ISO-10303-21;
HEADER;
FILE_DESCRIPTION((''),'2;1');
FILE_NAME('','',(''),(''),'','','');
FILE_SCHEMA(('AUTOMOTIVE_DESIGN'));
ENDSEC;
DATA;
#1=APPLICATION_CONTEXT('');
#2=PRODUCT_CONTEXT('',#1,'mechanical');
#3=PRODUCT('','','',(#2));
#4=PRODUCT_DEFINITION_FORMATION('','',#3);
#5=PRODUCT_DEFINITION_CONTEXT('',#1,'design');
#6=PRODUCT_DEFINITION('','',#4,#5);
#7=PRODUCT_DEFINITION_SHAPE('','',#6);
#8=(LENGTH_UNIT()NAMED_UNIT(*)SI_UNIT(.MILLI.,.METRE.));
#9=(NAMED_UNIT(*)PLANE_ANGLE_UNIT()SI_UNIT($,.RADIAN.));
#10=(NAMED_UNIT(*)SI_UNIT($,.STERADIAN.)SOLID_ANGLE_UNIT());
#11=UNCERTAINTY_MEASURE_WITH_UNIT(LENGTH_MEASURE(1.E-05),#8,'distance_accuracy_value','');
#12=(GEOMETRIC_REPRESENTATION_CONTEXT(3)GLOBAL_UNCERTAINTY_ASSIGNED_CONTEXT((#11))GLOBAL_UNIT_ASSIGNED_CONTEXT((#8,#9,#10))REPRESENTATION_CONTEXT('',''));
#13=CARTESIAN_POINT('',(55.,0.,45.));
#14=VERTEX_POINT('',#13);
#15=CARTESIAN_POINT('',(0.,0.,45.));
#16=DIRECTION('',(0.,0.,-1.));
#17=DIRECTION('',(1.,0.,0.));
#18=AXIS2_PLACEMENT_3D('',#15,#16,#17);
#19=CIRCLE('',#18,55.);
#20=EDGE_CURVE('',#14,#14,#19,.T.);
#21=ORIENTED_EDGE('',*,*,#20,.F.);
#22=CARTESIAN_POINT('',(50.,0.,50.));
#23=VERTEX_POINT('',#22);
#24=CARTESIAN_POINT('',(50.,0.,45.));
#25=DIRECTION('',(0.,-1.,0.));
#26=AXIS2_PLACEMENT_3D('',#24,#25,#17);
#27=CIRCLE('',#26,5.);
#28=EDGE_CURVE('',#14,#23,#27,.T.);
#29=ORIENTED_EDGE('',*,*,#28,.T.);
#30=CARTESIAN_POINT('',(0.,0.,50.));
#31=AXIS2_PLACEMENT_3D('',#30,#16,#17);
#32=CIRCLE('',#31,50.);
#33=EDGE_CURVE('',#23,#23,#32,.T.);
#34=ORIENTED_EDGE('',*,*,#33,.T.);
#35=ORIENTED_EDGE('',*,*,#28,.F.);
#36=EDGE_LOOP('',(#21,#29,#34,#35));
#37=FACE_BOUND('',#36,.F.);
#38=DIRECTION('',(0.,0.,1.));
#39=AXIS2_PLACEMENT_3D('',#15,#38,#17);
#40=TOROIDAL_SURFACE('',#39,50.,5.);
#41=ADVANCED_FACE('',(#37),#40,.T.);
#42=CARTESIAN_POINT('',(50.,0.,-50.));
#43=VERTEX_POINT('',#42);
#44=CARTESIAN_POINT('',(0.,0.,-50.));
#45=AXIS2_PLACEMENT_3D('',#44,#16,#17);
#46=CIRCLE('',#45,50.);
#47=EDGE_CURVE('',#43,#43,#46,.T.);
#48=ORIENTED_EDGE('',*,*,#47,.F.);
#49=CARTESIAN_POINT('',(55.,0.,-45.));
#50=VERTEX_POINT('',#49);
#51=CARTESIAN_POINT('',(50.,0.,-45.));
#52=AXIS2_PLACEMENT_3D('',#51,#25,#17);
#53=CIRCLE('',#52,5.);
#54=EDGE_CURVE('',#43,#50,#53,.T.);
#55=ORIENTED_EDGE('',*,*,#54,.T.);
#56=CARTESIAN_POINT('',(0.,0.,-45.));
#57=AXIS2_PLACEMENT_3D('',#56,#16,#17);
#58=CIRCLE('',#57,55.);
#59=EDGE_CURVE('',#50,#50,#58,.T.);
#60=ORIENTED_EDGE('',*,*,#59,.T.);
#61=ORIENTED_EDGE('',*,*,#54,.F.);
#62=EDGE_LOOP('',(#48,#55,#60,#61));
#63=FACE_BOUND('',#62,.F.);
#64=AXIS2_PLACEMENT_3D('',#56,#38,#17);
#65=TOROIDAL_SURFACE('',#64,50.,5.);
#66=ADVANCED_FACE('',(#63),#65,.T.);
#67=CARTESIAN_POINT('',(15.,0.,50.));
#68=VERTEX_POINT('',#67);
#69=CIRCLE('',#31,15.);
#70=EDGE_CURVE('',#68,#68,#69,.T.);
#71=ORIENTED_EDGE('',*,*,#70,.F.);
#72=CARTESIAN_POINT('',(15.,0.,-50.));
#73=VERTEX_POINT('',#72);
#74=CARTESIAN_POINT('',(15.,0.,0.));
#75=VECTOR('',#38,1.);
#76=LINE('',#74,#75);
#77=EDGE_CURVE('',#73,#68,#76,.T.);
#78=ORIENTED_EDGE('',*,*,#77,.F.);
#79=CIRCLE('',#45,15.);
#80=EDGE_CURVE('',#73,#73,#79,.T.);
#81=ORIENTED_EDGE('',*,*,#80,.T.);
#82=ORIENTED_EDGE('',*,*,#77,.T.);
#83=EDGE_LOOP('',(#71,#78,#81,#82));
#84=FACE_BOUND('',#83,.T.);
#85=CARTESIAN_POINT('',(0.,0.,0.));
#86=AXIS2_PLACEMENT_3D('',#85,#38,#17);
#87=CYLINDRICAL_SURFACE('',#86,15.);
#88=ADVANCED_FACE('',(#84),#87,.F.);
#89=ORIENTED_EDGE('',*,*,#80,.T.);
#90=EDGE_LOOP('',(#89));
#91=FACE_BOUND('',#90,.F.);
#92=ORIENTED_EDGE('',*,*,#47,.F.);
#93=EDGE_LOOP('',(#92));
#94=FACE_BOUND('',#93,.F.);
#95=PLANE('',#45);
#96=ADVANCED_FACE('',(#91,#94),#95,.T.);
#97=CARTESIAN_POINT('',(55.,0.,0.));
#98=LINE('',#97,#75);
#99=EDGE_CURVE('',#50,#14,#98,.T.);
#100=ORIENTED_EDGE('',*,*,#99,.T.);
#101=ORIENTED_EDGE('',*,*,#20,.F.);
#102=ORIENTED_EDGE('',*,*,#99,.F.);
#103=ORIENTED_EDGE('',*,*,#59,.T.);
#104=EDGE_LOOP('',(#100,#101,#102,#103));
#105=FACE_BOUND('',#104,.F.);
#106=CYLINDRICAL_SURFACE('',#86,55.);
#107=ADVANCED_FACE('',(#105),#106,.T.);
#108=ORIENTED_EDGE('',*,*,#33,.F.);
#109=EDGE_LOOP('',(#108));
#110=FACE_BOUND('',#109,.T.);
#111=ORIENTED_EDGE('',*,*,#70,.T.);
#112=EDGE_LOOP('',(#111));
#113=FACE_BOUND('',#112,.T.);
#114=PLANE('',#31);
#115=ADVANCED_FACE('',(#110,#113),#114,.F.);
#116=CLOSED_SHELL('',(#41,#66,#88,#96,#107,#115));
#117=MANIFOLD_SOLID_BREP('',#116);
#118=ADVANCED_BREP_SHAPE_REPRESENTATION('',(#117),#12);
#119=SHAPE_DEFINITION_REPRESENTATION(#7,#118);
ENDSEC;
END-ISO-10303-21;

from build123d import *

# Parameters (mm, degrees)
F0_W = 40
F0_H = 100
F2_R = 5


with BuildPart() as f1:
    # F0 (on Front) → F1 (revolve)
    with BuildSketch(Plane.XZ):
        with Locations((35, 0)):
            Rectangle(F0_W, F0_H)
    revolve(axis=Axis((0, 0, 4.696967), (0, 0, -1)))

    # F2
    f2_edges = [f1.edges().sort_by_distance(p)[0] for p in [
        (-55, 0, 50),
        (-55, 0, -50),
    ]]
    fillet(f2_edges, radius=F2_R)


solid = f1.part
